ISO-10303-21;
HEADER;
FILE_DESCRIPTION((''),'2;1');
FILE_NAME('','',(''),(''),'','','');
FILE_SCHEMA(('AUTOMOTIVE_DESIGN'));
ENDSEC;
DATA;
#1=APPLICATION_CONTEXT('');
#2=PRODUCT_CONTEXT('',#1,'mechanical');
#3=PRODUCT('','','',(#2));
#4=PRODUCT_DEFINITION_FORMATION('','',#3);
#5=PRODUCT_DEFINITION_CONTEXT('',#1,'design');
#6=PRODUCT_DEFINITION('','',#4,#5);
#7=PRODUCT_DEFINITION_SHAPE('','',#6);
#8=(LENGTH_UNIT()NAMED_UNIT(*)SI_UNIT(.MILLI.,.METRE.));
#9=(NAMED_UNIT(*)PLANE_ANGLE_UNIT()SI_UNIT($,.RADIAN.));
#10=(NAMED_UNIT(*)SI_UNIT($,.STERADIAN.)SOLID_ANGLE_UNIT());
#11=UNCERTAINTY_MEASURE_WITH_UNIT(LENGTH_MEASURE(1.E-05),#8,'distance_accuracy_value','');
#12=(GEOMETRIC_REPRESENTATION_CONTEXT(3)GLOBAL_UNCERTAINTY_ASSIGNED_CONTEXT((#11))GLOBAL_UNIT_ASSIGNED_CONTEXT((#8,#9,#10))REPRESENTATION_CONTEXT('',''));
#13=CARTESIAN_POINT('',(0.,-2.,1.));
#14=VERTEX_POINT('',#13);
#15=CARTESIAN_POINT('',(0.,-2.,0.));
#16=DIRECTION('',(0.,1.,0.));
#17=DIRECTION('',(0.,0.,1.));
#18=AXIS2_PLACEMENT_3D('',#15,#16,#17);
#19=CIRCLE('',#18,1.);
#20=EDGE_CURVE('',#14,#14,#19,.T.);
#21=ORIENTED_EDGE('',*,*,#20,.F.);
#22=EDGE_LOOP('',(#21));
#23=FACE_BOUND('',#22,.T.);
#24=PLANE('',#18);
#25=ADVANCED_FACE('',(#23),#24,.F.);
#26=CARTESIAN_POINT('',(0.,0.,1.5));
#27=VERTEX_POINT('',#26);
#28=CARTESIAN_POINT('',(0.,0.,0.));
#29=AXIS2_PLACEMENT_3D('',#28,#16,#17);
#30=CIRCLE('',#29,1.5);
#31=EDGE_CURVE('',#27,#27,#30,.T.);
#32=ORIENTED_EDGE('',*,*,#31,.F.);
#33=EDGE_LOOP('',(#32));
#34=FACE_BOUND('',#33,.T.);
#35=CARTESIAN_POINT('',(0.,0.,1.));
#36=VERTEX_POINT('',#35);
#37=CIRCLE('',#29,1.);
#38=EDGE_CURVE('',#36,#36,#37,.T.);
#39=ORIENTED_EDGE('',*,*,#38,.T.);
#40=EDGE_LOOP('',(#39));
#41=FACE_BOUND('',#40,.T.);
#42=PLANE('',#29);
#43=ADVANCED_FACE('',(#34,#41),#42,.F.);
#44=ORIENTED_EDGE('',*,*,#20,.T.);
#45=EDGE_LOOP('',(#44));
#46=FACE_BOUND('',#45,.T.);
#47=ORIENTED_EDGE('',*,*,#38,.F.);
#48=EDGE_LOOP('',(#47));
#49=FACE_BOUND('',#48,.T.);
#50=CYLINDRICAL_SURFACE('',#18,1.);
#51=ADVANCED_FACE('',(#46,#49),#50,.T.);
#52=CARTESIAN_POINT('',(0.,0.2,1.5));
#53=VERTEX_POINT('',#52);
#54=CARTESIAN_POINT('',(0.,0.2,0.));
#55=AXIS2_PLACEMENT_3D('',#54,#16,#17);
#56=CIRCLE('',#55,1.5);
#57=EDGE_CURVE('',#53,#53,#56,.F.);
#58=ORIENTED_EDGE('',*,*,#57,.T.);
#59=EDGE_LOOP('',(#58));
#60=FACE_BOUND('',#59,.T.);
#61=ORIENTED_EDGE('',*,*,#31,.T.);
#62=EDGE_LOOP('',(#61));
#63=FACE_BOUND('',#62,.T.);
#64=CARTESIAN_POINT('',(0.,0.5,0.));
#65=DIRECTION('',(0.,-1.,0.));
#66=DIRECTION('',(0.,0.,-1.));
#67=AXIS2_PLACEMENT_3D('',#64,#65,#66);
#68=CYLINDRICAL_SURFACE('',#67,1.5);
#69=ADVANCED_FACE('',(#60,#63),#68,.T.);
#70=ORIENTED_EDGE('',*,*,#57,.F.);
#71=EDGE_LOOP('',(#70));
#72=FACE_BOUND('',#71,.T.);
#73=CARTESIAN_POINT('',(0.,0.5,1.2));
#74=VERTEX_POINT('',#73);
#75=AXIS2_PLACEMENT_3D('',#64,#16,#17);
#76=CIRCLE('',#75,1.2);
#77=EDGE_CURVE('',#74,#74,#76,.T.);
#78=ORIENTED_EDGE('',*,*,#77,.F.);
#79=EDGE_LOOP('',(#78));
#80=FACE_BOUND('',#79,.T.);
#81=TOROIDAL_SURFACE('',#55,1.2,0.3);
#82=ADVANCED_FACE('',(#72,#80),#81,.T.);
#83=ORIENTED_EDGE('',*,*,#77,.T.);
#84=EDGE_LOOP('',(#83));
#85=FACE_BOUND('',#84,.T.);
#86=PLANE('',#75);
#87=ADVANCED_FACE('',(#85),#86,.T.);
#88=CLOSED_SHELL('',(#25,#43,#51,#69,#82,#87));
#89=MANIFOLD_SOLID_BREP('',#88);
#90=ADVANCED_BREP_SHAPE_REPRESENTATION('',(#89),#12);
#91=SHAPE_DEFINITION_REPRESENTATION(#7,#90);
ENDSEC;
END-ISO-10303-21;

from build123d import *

# Parameters (mm, degrees)
SKETCH1_R           = 1.5
BOSS_EXTRUDE1_DEPTH = 0.5
SKETCH1_3_R         = 1
BOSS_EXTRUDE2_DEPTH = 2
FILLET1_R           = 0.3


with BuildPart() as part:
    # Sketch1 → Boss-Extrude1 (new body)
    with BuildSketch(Plane(origin=(0, 0, 0), x_dir=(1, 0, 0), z_dir=(0, 1, 0))):
        Circle(SKETCH1_R)
    extrude(amount=BOSS_EXTRUDE1_DEPTH)

    # Sketch1<3> → Boss-Extrude2 (add)
    with BuildSketch(Plane(origin=(0, 0, 0), x_dir=(1, 0, 0), z_dir=(0, 1, 0))):
        Circle(SKETCH1_3_R)
    extrude(amount=-BOSS_EXTRUDE2_DEPTH)

    # Fillet1
    fillet1_edges = [part.edges().sort_by_distance(p)[0] for p in [
        (-1.5, 0.5, 0),
    ]]
    fillet(fillet1_edges, radius=FILLET1_R)


solid = part.part
